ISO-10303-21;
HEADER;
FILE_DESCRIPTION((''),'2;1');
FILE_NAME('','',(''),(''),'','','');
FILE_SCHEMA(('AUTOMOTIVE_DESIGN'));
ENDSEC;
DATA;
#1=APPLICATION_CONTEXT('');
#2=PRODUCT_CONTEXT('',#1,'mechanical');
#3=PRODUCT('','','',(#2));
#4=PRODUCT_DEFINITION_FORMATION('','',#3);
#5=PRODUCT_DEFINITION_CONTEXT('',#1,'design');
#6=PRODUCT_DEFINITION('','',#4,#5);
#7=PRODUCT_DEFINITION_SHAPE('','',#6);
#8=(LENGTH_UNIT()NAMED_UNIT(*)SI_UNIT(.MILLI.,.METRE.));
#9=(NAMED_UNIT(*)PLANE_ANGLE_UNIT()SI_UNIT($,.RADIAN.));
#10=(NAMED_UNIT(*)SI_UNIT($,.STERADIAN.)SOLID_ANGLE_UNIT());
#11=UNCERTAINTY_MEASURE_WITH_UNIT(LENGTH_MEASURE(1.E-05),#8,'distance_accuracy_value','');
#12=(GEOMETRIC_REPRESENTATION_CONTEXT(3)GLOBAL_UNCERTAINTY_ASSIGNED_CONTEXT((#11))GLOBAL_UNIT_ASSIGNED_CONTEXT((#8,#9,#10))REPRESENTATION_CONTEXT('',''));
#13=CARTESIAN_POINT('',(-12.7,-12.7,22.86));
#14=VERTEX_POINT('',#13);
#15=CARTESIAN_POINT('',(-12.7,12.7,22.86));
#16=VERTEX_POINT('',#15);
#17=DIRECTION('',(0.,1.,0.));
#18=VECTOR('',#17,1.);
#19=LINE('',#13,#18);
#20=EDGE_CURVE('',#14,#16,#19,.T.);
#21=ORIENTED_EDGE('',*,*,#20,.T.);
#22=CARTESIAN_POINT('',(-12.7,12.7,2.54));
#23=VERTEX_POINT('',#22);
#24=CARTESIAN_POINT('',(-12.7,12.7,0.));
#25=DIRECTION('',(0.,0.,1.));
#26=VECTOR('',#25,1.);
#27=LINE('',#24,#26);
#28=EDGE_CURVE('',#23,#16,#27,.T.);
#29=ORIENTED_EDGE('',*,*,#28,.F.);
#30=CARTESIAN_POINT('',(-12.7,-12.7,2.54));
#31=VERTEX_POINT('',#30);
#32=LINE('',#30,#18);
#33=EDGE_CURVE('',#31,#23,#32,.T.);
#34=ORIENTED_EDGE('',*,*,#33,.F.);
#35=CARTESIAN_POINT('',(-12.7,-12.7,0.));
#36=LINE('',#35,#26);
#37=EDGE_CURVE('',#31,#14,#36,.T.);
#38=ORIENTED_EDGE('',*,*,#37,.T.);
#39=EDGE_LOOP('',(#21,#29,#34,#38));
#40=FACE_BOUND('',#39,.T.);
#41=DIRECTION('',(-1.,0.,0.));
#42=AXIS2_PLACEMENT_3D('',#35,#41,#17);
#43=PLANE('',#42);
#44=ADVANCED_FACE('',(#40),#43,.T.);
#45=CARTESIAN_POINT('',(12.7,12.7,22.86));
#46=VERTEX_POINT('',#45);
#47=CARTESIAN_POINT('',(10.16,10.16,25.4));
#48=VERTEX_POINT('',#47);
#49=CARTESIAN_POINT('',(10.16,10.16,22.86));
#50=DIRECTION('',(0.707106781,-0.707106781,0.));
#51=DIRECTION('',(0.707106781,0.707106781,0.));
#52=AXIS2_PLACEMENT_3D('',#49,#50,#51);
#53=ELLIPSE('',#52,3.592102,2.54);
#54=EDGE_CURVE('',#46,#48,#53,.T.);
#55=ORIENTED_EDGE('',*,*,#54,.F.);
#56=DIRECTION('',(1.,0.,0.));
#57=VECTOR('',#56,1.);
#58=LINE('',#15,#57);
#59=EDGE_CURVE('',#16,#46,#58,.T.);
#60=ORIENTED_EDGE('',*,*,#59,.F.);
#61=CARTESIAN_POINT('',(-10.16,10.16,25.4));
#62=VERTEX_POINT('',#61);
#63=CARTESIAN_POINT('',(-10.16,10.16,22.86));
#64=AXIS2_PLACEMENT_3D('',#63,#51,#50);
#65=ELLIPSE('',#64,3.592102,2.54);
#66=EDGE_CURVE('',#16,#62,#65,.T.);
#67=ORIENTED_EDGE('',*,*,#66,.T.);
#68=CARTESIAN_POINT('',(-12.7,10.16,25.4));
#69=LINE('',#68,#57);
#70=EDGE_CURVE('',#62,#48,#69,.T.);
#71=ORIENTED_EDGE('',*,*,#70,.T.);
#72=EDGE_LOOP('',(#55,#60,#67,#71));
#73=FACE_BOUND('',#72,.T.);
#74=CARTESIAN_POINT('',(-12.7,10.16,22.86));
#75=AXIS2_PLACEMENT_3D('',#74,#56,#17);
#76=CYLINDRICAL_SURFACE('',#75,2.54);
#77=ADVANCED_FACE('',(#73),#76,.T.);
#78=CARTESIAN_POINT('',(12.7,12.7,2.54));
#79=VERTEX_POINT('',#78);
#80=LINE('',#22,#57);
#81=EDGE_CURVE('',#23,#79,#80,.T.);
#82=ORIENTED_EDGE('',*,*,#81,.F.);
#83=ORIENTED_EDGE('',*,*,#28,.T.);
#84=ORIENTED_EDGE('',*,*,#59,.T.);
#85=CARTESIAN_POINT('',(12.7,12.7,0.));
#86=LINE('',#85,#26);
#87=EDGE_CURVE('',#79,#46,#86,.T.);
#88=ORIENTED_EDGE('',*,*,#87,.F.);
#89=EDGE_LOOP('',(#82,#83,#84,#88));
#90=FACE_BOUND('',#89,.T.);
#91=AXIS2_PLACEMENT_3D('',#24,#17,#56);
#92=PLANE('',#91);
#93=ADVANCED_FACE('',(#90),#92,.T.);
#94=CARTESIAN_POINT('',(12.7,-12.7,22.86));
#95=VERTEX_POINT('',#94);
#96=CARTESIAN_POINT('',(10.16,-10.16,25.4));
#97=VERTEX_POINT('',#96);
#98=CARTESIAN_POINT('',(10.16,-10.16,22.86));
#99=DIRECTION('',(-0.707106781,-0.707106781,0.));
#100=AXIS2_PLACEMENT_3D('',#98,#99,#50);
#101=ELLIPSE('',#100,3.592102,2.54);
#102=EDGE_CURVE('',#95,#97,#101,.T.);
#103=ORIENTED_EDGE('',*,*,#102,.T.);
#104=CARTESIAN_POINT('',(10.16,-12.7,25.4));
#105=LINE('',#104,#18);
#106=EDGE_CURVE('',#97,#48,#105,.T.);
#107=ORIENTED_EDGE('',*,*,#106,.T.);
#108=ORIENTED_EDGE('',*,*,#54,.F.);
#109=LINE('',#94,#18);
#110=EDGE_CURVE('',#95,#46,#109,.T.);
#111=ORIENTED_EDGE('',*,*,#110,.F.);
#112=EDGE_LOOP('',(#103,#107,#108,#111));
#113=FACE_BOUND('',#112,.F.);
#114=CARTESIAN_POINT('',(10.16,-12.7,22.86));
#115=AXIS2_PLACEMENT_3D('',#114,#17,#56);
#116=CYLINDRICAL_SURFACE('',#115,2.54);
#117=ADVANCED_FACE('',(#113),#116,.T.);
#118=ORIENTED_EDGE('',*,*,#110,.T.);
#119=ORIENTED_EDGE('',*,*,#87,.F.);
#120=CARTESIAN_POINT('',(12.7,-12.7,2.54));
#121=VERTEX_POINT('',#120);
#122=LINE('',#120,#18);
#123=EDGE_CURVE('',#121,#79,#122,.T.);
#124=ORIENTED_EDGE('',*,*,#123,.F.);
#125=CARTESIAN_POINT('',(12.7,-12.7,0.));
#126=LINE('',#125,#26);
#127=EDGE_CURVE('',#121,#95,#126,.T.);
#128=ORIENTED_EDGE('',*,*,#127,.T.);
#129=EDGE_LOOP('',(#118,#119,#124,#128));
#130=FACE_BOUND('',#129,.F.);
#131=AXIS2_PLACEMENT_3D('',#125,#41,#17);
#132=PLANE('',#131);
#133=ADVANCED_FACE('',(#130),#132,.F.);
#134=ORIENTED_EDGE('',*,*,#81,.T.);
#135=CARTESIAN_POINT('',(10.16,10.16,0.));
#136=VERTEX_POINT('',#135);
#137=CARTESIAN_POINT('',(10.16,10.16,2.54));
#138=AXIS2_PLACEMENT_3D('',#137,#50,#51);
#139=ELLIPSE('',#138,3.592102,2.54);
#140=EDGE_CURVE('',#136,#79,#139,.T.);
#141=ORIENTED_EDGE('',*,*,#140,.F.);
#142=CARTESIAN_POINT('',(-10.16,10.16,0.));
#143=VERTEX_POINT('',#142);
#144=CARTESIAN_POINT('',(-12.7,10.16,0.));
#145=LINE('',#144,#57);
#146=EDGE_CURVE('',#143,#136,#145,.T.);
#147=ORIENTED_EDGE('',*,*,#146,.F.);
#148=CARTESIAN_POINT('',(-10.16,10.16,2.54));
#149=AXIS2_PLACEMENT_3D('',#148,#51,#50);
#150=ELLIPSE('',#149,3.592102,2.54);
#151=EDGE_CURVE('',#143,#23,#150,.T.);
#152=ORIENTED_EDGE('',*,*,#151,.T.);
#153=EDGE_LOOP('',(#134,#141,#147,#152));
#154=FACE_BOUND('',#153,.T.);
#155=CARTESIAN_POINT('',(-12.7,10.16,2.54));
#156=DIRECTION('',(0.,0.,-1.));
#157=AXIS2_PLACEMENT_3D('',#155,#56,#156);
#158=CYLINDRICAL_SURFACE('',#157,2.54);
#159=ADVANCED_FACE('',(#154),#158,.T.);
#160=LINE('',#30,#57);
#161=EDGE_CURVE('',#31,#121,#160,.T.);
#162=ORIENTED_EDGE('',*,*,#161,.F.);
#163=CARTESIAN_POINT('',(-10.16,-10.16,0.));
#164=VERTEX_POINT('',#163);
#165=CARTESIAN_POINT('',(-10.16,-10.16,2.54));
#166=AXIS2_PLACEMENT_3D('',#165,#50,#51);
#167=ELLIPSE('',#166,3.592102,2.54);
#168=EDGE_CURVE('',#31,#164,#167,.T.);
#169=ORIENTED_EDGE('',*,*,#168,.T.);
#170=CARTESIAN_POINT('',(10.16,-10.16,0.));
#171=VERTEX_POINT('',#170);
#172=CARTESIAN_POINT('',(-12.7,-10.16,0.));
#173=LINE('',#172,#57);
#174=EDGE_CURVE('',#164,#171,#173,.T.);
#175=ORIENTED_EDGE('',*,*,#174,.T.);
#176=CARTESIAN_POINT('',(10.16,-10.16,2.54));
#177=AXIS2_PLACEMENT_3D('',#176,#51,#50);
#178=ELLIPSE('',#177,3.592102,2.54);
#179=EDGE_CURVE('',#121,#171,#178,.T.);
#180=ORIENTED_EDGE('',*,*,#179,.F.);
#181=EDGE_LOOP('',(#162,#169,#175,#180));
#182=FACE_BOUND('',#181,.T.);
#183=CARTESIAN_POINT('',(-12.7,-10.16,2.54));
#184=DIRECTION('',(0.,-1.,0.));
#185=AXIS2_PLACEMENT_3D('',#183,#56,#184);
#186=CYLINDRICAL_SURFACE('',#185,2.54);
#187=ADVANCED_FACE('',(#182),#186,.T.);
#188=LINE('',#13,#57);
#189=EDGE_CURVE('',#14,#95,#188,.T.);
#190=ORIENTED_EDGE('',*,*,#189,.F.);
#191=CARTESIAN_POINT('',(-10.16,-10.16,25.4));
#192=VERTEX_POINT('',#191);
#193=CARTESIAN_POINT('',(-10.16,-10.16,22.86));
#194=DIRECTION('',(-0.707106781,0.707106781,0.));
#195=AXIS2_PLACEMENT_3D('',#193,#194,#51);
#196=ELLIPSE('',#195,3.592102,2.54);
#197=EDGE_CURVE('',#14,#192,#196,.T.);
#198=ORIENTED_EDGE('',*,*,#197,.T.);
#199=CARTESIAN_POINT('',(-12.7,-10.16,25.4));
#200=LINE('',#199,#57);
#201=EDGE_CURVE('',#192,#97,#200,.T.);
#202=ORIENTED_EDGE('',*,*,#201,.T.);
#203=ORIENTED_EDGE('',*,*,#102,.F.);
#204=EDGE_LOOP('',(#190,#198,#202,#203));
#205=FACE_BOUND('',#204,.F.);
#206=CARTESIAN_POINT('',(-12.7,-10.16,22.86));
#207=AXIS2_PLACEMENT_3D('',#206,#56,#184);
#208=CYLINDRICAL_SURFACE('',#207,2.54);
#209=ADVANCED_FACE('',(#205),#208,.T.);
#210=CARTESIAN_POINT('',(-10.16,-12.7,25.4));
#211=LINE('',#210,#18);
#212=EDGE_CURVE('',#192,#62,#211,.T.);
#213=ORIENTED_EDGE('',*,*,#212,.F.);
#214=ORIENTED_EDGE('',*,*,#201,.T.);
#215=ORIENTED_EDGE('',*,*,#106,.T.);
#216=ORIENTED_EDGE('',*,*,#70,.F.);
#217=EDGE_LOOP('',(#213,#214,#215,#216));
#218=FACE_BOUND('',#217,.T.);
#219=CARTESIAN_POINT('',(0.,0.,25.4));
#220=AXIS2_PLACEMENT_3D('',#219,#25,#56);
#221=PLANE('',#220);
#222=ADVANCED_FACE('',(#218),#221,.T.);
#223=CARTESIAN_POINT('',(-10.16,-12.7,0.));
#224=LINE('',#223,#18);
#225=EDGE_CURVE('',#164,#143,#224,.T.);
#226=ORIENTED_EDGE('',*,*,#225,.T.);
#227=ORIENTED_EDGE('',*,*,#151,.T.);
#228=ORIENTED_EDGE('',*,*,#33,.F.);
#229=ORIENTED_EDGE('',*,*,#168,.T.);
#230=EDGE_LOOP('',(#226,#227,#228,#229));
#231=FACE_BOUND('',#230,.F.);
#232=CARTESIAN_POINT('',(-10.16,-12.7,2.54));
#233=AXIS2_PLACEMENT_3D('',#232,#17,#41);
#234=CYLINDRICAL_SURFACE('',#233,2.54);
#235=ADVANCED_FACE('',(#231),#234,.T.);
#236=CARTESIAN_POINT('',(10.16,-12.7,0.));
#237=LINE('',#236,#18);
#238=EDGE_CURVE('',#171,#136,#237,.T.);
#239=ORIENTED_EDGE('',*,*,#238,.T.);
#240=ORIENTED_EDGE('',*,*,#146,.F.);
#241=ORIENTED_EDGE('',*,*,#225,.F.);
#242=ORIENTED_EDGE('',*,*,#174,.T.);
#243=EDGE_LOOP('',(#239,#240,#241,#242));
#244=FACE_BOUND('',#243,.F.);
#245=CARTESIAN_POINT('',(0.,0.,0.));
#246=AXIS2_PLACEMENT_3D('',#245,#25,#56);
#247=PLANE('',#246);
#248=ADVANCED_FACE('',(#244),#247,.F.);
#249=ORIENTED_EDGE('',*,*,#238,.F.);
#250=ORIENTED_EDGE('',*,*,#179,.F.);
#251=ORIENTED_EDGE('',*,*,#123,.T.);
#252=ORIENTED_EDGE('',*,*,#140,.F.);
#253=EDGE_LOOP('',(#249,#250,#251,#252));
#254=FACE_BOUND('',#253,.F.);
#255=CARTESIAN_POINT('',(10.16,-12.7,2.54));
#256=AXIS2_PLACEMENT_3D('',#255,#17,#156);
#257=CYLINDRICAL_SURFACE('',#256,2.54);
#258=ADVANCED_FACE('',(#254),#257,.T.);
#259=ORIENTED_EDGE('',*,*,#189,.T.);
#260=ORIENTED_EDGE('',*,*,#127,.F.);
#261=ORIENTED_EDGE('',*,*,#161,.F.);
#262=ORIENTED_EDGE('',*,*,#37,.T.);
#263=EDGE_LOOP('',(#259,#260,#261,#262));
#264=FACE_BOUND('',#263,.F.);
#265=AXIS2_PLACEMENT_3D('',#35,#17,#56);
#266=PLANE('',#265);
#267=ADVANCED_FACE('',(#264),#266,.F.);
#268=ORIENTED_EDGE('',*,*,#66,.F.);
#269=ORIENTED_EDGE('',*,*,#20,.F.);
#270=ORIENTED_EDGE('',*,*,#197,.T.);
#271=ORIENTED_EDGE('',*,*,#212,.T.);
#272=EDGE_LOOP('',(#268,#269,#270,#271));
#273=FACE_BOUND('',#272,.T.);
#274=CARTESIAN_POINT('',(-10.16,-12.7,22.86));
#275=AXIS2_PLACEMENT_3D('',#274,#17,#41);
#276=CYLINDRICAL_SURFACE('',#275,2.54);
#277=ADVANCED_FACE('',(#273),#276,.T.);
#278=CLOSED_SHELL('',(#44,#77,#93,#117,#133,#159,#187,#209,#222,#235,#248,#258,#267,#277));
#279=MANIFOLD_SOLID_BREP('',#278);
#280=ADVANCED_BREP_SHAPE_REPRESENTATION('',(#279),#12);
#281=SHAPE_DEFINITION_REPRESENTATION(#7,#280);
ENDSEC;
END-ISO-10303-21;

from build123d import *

# Parameters (mm, degrees)
F0_W     = 25.4
F0_H     = 25.4
F1_DEPTH = 25.4
F3_R     = 2.54
F4_R     = 2.54


with BuildPart() as f1:
    # F0 (on Top) → F1 (new body)
    with BuildSketch(Plane.XY):
        Rectangle(F0_W, F0_H)
    extrude(amount=F1_DEPTH)

    # F3
    f3_edges = [f1.edges().sort_by_distance(p)[0] for p in [
        (0, 12.7, 25.4),
        (-12.7, 0, 25.4),
        (0, -12.7, 25.4),
        (12.7, 0, 25.4),
    ]]
    fillet(f3_edges, radius=F3_R)

    # F4
    f4_edges = [f1.edges().sort_by_distance(p)[0] for p in [
        (0, 12.7, 0),
        (-12.7, 0, 0),
        (0, -12.7, 0),
        (12.7, 0, 0),
    ]]
    fillet(f4_edges, radius=F4_R)


solid = f1.part
